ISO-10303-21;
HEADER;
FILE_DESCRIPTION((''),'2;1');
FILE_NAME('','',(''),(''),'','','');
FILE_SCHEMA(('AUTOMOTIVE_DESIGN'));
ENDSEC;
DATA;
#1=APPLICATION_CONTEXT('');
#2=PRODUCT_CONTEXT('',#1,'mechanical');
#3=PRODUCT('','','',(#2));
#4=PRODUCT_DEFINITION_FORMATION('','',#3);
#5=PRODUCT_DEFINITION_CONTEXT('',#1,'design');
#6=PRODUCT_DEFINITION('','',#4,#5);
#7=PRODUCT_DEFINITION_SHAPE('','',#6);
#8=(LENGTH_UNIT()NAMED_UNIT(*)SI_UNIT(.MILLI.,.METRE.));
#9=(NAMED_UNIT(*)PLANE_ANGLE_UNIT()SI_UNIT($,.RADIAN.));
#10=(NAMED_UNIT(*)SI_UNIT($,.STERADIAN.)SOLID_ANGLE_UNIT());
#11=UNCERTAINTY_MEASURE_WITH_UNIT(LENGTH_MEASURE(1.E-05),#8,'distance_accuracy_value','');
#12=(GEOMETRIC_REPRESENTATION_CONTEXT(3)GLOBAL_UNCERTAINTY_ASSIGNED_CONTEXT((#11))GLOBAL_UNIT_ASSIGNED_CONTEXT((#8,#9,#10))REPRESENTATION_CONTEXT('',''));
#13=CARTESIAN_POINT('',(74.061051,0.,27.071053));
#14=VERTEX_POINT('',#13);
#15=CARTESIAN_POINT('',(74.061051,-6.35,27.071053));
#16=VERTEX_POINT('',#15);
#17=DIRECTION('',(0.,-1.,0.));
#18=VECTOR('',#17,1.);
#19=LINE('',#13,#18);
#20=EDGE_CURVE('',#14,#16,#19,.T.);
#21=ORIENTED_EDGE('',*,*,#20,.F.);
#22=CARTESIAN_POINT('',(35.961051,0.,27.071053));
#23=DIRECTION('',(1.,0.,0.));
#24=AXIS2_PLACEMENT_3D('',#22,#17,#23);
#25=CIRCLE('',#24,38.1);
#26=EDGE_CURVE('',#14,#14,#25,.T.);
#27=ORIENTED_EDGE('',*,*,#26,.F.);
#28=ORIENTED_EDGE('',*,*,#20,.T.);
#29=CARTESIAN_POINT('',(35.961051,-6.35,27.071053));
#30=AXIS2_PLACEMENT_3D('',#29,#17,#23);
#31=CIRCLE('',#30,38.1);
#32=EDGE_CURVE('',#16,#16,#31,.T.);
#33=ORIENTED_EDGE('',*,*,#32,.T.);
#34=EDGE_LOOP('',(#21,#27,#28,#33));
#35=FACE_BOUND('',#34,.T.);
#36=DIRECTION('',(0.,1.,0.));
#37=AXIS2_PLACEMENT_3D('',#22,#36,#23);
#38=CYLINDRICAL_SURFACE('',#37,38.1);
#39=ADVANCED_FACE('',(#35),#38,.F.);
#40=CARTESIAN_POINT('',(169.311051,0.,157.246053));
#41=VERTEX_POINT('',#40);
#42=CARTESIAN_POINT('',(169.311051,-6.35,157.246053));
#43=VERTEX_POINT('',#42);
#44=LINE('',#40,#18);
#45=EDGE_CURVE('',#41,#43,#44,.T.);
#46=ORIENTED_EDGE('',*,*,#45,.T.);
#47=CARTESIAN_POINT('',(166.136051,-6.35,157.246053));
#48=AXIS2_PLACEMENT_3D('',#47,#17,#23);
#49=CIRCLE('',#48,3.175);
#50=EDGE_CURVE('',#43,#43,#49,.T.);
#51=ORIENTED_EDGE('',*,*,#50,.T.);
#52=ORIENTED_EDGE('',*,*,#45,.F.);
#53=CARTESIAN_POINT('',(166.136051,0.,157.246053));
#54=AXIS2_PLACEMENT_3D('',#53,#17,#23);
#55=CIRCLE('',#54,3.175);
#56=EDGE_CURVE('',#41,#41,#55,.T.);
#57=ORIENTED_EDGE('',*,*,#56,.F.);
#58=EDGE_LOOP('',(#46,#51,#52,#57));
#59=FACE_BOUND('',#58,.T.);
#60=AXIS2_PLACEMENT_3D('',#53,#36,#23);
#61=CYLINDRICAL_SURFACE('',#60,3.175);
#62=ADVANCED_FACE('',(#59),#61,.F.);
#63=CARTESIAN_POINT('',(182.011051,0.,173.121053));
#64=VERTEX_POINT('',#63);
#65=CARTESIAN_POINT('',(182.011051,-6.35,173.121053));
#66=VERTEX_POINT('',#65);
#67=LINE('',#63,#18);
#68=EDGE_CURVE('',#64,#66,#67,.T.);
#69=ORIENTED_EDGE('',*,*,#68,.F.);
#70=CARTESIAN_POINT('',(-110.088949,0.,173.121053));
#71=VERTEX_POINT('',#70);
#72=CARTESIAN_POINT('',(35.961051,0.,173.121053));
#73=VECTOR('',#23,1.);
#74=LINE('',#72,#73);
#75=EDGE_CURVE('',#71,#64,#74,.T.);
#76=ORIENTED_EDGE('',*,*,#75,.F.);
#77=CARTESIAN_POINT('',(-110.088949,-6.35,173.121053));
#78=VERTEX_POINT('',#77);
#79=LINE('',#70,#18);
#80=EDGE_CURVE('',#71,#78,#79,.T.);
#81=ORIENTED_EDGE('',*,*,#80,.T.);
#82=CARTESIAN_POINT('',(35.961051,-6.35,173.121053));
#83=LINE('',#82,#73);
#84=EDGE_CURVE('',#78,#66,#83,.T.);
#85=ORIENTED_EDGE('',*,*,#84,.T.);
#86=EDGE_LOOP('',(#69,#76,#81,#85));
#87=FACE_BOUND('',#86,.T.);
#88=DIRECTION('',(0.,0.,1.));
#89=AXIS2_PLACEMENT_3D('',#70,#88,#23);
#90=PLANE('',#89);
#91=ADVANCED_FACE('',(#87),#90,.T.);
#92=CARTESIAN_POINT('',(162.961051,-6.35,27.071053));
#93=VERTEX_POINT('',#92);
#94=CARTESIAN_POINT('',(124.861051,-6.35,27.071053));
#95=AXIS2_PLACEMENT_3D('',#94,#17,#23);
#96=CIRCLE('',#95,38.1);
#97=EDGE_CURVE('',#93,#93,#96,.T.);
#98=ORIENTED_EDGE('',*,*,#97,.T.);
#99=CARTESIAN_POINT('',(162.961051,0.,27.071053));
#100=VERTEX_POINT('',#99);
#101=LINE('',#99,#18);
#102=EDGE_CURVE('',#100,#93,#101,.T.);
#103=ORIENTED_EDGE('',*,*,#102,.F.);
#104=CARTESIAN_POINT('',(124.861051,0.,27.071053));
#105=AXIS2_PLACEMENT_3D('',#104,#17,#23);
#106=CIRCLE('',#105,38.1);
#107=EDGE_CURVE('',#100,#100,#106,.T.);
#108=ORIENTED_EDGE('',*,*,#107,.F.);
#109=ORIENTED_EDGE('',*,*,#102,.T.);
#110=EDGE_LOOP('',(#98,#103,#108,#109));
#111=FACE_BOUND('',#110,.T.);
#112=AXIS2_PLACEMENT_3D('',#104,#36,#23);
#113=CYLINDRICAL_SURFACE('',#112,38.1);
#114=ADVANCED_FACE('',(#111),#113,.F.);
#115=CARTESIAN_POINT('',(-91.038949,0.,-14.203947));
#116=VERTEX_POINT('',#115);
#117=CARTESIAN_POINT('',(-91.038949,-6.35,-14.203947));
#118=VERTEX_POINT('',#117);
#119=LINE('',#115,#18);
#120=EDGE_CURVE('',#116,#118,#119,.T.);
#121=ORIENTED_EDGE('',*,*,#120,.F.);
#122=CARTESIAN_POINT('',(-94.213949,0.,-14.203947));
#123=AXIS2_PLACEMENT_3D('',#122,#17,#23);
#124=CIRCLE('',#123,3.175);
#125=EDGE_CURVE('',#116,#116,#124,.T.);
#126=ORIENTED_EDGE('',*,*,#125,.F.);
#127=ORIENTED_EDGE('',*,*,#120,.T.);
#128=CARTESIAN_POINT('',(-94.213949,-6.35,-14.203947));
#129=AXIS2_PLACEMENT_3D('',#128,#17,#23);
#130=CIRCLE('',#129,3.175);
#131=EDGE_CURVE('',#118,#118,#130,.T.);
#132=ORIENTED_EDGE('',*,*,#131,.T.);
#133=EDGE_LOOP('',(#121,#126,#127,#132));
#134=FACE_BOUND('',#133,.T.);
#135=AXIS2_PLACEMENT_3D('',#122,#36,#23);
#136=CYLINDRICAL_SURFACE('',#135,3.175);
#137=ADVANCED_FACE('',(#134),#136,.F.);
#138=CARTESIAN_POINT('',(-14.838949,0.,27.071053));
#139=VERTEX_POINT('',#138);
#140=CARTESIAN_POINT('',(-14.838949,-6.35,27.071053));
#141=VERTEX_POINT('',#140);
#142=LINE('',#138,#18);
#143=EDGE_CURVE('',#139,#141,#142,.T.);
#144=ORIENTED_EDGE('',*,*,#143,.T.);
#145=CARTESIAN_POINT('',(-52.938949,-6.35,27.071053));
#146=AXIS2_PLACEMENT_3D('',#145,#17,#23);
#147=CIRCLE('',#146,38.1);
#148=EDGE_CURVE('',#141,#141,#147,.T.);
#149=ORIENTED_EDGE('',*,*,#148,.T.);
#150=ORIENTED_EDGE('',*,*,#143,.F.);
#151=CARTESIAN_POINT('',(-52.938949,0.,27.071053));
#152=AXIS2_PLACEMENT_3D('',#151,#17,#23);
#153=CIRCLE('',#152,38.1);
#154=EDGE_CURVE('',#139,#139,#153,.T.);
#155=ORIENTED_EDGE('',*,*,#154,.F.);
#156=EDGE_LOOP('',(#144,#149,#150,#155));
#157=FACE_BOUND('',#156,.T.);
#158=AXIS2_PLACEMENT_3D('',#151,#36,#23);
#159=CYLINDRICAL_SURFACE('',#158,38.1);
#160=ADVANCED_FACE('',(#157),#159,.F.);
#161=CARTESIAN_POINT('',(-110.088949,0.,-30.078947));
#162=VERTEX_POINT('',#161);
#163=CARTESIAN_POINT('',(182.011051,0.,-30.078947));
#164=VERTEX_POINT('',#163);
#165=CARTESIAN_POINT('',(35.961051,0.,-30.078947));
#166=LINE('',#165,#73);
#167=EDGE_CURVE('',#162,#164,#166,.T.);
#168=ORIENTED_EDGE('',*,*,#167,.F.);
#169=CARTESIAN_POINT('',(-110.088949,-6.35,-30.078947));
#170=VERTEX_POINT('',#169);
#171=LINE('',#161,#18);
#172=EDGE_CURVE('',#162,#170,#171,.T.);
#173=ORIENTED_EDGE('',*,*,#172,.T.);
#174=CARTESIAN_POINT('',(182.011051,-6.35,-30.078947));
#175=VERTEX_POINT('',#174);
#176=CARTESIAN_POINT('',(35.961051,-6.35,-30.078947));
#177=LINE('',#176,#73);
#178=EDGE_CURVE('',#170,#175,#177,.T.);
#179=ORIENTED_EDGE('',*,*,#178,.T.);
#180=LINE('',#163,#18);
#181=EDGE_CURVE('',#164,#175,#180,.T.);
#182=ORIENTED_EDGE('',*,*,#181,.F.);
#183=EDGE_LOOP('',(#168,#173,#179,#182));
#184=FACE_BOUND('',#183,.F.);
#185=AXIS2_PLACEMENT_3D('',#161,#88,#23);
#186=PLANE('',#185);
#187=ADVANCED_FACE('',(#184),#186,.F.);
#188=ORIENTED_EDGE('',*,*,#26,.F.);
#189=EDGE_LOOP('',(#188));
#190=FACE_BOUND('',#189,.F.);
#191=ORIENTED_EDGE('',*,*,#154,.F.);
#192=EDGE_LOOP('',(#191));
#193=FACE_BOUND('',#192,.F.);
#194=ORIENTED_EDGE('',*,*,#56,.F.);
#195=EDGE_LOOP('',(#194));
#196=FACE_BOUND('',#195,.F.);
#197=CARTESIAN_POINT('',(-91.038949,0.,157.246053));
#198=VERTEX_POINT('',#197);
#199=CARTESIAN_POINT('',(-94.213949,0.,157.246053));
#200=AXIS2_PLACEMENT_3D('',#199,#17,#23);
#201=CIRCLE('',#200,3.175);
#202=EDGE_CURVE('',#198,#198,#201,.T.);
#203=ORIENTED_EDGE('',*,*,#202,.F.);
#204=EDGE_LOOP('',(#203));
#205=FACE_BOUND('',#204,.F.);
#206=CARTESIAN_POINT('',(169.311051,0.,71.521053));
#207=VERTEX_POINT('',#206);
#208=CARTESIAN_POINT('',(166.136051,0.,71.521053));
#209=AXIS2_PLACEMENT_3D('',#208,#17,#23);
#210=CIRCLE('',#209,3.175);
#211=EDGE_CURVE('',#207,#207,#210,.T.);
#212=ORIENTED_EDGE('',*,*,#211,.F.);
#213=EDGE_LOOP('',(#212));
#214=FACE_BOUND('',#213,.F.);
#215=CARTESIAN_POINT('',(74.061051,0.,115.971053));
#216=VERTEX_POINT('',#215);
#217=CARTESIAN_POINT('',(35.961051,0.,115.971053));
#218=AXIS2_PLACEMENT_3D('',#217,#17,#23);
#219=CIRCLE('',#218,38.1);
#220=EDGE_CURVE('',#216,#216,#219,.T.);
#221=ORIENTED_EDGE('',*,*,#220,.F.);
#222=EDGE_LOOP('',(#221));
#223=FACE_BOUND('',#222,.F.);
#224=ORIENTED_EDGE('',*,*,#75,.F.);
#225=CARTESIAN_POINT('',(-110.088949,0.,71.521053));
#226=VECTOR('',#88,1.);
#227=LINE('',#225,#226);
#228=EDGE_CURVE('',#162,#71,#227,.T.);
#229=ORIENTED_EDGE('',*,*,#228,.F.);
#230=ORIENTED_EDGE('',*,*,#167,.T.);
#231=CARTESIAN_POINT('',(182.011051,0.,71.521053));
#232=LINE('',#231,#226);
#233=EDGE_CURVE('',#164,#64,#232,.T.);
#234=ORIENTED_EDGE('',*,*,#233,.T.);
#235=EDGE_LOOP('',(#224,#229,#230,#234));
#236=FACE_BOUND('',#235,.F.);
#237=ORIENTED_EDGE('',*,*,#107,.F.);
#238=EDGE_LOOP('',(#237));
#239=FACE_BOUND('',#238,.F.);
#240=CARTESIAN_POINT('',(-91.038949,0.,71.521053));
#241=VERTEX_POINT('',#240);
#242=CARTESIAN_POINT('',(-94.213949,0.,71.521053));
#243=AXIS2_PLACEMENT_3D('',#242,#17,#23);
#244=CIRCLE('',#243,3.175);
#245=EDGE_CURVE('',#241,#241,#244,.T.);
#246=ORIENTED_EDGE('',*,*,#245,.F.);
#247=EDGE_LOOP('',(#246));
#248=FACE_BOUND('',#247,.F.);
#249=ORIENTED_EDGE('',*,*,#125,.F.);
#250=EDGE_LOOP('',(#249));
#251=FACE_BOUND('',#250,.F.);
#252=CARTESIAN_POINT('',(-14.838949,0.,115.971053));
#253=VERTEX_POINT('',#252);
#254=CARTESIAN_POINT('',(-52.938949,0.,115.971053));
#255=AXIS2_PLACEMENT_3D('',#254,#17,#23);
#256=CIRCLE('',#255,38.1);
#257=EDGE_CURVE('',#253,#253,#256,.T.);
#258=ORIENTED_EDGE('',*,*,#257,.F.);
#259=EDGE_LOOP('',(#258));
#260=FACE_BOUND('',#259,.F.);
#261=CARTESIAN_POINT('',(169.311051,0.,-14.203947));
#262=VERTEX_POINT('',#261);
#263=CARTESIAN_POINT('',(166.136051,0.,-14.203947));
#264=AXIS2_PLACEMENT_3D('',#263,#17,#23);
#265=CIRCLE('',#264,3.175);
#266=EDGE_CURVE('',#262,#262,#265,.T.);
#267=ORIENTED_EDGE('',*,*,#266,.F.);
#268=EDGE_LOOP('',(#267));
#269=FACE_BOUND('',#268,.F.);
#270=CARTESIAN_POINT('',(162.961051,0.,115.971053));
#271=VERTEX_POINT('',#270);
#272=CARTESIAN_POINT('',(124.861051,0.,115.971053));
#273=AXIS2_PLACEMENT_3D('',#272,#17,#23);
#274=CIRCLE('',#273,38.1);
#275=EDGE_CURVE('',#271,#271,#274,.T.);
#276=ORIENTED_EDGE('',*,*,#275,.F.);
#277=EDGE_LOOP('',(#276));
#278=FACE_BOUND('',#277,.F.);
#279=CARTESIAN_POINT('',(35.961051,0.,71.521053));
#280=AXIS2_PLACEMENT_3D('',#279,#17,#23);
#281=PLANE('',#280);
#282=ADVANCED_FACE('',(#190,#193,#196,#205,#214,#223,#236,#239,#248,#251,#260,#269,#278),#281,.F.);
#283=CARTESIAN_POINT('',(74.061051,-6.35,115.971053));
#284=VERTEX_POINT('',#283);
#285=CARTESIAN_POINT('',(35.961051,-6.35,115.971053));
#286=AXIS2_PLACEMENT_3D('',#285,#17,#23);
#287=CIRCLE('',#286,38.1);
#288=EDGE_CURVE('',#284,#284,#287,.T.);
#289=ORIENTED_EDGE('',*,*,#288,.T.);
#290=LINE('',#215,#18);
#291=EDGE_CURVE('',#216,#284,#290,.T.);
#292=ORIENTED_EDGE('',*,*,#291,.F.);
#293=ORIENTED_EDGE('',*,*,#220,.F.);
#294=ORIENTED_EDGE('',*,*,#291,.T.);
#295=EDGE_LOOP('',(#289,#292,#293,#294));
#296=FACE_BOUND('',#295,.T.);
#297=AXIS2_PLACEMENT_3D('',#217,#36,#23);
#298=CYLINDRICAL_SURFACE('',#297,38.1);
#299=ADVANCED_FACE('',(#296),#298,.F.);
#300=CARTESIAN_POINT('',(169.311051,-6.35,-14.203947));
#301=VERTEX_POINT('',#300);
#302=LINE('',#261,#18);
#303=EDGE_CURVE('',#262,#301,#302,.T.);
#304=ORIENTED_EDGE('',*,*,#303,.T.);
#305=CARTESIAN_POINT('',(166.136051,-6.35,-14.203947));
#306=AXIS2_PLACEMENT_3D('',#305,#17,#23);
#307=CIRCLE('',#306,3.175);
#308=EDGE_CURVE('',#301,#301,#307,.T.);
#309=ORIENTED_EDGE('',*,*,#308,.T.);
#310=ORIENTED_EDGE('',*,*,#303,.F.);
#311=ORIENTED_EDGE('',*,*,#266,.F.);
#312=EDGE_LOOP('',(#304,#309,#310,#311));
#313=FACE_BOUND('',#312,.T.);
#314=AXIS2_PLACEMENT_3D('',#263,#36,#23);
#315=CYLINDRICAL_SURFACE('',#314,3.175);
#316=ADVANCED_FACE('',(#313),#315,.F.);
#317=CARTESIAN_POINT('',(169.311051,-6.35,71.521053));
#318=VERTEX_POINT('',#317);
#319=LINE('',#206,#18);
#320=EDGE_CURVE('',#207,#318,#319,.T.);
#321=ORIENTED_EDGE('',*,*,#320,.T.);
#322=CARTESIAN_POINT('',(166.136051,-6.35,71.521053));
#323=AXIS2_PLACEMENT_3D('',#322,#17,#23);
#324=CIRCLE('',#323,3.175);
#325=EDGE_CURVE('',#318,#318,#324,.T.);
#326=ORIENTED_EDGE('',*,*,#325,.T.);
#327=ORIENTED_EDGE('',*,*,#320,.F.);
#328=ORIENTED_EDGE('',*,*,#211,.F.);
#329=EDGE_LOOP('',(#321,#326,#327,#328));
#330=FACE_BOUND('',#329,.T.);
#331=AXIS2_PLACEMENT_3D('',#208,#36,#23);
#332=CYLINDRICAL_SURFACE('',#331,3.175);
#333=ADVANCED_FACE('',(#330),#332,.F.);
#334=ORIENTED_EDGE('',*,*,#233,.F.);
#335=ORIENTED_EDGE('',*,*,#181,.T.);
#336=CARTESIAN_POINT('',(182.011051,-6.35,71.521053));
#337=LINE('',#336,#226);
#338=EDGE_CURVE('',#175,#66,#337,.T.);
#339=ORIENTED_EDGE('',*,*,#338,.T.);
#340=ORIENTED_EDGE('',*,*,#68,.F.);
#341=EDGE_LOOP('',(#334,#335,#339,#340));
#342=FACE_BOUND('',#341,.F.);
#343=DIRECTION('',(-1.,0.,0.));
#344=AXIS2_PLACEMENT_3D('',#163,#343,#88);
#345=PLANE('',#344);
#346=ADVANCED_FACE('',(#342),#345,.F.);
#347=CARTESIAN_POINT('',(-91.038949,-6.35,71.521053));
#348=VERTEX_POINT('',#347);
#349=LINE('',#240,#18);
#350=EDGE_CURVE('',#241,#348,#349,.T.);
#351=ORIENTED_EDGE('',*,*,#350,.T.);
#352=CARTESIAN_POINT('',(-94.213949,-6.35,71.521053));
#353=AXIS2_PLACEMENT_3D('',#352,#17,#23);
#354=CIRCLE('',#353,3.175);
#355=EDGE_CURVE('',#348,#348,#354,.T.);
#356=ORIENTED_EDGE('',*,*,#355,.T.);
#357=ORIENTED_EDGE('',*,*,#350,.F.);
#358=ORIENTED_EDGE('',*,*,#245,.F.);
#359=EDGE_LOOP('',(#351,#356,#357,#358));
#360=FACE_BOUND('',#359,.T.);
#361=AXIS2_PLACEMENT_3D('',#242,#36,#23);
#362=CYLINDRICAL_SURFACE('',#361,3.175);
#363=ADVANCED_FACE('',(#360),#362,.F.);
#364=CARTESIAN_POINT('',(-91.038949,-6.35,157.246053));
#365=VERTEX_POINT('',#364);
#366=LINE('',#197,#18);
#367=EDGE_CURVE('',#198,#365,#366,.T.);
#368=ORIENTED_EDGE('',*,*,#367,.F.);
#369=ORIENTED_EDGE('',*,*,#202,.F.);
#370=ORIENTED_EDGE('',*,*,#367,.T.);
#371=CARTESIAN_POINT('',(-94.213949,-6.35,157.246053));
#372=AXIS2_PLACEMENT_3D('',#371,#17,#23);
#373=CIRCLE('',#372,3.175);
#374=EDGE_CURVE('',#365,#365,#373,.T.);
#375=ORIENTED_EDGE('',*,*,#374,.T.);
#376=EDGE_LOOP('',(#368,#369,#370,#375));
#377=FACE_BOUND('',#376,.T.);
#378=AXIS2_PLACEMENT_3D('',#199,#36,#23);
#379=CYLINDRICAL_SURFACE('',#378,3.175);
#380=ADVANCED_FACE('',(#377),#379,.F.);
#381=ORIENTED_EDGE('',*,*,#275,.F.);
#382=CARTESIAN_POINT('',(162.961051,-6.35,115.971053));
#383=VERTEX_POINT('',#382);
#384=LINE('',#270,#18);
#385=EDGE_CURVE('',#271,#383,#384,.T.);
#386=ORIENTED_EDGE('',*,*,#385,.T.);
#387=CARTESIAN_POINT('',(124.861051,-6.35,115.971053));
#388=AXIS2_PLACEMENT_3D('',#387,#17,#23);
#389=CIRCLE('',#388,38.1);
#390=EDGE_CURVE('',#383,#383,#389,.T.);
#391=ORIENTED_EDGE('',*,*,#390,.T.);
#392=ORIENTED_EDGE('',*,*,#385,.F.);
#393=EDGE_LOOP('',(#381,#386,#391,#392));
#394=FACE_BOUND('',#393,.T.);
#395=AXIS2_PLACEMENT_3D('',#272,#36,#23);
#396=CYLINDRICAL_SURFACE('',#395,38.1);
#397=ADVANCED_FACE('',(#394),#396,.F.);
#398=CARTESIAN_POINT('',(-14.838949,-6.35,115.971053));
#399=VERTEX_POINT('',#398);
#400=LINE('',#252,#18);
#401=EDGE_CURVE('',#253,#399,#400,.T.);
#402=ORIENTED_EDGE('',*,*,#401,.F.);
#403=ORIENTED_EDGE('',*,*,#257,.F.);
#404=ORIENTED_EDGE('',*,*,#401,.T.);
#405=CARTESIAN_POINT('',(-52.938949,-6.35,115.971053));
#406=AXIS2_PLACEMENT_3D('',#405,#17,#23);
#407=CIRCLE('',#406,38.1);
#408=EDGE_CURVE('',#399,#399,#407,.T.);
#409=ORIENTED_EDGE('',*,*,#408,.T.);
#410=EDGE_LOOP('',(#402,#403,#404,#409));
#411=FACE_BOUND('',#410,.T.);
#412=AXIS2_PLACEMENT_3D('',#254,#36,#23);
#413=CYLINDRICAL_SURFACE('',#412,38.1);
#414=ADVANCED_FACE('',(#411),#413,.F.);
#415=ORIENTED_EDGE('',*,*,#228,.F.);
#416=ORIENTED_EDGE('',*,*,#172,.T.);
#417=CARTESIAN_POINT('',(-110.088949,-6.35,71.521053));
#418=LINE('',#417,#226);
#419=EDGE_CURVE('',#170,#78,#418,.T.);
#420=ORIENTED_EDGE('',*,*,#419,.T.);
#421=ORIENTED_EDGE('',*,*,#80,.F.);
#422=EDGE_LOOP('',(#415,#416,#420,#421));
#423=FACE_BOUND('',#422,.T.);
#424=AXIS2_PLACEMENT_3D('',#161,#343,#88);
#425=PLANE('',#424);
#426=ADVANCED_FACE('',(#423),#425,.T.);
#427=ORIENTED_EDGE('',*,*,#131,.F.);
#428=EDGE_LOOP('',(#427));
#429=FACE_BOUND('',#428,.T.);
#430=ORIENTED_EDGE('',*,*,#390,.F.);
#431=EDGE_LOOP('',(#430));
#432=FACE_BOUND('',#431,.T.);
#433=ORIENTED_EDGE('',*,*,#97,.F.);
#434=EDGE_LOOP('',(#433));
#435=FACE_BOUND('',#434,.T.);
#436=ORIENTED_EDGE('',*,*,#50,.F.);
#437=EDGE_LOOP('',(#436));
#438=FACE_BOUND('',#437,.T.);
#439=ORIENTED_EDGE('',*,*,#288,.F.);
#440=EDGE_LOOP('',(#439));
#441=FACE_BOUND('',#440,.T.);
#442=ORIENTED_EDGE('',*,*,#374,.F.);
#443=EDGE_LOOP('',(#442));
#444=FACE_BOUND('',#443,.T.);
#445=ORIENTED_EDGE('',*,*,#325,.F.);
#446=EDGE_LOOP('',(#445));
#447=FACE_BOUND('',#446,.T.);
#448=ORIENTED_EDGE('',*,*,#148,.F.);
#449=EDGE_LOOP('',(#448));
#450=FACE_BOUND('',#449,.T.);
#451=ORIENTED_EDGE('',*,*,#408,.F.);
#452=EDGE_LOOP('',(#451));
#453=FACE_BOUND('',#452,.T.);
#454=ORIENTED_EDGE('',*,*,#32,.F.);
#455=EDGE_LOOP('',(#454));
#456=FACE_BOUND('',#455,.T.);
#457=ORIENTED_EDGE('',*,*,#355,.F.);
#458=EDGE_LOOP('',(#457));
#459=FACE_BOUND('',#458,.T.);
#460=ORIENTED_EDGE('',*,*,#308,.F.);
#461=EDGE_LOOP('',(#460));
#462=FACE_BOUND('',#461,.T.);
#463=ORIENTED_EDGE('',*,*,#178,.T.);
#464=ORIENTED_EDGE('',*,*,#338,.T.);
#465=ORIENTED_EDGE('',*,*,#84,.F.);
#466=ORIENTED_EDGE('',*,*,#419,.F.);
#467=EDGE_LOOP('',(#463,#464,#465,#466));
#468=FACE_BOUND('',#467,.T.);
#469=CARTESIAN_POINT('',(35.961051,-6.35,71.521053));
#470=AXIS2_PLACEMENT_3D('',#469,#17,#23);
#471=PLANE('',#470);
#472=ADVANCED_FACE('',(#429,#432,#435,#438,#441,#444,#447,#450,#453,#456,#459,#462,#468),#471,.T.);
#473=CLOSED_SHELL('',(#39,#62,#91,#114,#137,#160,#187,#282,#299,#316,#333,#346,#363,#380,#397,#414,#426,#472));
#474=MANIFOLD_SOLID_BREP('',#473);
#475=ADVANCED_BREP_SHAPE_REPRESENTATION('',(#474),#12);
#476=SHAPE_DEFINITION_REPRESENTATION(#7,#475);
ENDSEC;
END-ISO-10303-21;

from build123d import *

# Parameters (mm, degrees)
F0_W     = 292.1
F0_H     = 203.2
F0_R     = 3.175
F0_R_2   = 38.1
F1_DEPTH = 6.35


with BuildPart() as f1:
    # F0 (on Front) → F1 (new body)
    with BuildSketch(Plane.XZ):
        with Locations((35.961051, 71.521053)):
            Rectangle(F0_W, F0_H)
        with Locations((-94.213949, -14.203947)):
            Circle(F0_R, mode=Mode.SUBTRACT)
        with Locations((-52.938949, 27.071053)):
            Circle(F0_R_2, mode=Mode.SUBTRACT)
        with Locations((166.136051, -14.203947)):
            Circle(F0_R, mode=Mode.SUBTRACT)
        with Locations((35.961051, 27.071053)):
            Circle(F0_R_2, mode=Mode.SUBTRACT)
        with Locations((124.861051, 27.071053)):
            Circle(F0_R_2, mode=Mode.SUBTRACT)
        with Locations((-94.213949, 71.521053)):
            Circle(F0_R, mode=Mode.SUBTRACT)
        with Locations((-52.938949, 115.971053)):
            Circle(F0_R_2, mode=Mode.SUBTRACT)
        with Locations((-94.213949, 157.246053)):
            Circle(F0_R, mode=Mode.SUBTRACT)
        with Locations((35.961051, 115.971053)):
            Circle(F0_R_2, mode=Mode.SUBTRACT)
        with Locations((166.136051, 71.521053)):
            Circle(F0_R, mode=Mode.SUBTRACT)
        with Locations((124.861051, 115.971053)):
            Circle(F0_R_2, mode=Mode.SUBTRACT)
        with Locations((166.136051, 157.246053)):
            Circle(F0_R, mode=Mode.SUBTRACT)
    extrude(amount=F1_DEPTH)


solid = f1.part
